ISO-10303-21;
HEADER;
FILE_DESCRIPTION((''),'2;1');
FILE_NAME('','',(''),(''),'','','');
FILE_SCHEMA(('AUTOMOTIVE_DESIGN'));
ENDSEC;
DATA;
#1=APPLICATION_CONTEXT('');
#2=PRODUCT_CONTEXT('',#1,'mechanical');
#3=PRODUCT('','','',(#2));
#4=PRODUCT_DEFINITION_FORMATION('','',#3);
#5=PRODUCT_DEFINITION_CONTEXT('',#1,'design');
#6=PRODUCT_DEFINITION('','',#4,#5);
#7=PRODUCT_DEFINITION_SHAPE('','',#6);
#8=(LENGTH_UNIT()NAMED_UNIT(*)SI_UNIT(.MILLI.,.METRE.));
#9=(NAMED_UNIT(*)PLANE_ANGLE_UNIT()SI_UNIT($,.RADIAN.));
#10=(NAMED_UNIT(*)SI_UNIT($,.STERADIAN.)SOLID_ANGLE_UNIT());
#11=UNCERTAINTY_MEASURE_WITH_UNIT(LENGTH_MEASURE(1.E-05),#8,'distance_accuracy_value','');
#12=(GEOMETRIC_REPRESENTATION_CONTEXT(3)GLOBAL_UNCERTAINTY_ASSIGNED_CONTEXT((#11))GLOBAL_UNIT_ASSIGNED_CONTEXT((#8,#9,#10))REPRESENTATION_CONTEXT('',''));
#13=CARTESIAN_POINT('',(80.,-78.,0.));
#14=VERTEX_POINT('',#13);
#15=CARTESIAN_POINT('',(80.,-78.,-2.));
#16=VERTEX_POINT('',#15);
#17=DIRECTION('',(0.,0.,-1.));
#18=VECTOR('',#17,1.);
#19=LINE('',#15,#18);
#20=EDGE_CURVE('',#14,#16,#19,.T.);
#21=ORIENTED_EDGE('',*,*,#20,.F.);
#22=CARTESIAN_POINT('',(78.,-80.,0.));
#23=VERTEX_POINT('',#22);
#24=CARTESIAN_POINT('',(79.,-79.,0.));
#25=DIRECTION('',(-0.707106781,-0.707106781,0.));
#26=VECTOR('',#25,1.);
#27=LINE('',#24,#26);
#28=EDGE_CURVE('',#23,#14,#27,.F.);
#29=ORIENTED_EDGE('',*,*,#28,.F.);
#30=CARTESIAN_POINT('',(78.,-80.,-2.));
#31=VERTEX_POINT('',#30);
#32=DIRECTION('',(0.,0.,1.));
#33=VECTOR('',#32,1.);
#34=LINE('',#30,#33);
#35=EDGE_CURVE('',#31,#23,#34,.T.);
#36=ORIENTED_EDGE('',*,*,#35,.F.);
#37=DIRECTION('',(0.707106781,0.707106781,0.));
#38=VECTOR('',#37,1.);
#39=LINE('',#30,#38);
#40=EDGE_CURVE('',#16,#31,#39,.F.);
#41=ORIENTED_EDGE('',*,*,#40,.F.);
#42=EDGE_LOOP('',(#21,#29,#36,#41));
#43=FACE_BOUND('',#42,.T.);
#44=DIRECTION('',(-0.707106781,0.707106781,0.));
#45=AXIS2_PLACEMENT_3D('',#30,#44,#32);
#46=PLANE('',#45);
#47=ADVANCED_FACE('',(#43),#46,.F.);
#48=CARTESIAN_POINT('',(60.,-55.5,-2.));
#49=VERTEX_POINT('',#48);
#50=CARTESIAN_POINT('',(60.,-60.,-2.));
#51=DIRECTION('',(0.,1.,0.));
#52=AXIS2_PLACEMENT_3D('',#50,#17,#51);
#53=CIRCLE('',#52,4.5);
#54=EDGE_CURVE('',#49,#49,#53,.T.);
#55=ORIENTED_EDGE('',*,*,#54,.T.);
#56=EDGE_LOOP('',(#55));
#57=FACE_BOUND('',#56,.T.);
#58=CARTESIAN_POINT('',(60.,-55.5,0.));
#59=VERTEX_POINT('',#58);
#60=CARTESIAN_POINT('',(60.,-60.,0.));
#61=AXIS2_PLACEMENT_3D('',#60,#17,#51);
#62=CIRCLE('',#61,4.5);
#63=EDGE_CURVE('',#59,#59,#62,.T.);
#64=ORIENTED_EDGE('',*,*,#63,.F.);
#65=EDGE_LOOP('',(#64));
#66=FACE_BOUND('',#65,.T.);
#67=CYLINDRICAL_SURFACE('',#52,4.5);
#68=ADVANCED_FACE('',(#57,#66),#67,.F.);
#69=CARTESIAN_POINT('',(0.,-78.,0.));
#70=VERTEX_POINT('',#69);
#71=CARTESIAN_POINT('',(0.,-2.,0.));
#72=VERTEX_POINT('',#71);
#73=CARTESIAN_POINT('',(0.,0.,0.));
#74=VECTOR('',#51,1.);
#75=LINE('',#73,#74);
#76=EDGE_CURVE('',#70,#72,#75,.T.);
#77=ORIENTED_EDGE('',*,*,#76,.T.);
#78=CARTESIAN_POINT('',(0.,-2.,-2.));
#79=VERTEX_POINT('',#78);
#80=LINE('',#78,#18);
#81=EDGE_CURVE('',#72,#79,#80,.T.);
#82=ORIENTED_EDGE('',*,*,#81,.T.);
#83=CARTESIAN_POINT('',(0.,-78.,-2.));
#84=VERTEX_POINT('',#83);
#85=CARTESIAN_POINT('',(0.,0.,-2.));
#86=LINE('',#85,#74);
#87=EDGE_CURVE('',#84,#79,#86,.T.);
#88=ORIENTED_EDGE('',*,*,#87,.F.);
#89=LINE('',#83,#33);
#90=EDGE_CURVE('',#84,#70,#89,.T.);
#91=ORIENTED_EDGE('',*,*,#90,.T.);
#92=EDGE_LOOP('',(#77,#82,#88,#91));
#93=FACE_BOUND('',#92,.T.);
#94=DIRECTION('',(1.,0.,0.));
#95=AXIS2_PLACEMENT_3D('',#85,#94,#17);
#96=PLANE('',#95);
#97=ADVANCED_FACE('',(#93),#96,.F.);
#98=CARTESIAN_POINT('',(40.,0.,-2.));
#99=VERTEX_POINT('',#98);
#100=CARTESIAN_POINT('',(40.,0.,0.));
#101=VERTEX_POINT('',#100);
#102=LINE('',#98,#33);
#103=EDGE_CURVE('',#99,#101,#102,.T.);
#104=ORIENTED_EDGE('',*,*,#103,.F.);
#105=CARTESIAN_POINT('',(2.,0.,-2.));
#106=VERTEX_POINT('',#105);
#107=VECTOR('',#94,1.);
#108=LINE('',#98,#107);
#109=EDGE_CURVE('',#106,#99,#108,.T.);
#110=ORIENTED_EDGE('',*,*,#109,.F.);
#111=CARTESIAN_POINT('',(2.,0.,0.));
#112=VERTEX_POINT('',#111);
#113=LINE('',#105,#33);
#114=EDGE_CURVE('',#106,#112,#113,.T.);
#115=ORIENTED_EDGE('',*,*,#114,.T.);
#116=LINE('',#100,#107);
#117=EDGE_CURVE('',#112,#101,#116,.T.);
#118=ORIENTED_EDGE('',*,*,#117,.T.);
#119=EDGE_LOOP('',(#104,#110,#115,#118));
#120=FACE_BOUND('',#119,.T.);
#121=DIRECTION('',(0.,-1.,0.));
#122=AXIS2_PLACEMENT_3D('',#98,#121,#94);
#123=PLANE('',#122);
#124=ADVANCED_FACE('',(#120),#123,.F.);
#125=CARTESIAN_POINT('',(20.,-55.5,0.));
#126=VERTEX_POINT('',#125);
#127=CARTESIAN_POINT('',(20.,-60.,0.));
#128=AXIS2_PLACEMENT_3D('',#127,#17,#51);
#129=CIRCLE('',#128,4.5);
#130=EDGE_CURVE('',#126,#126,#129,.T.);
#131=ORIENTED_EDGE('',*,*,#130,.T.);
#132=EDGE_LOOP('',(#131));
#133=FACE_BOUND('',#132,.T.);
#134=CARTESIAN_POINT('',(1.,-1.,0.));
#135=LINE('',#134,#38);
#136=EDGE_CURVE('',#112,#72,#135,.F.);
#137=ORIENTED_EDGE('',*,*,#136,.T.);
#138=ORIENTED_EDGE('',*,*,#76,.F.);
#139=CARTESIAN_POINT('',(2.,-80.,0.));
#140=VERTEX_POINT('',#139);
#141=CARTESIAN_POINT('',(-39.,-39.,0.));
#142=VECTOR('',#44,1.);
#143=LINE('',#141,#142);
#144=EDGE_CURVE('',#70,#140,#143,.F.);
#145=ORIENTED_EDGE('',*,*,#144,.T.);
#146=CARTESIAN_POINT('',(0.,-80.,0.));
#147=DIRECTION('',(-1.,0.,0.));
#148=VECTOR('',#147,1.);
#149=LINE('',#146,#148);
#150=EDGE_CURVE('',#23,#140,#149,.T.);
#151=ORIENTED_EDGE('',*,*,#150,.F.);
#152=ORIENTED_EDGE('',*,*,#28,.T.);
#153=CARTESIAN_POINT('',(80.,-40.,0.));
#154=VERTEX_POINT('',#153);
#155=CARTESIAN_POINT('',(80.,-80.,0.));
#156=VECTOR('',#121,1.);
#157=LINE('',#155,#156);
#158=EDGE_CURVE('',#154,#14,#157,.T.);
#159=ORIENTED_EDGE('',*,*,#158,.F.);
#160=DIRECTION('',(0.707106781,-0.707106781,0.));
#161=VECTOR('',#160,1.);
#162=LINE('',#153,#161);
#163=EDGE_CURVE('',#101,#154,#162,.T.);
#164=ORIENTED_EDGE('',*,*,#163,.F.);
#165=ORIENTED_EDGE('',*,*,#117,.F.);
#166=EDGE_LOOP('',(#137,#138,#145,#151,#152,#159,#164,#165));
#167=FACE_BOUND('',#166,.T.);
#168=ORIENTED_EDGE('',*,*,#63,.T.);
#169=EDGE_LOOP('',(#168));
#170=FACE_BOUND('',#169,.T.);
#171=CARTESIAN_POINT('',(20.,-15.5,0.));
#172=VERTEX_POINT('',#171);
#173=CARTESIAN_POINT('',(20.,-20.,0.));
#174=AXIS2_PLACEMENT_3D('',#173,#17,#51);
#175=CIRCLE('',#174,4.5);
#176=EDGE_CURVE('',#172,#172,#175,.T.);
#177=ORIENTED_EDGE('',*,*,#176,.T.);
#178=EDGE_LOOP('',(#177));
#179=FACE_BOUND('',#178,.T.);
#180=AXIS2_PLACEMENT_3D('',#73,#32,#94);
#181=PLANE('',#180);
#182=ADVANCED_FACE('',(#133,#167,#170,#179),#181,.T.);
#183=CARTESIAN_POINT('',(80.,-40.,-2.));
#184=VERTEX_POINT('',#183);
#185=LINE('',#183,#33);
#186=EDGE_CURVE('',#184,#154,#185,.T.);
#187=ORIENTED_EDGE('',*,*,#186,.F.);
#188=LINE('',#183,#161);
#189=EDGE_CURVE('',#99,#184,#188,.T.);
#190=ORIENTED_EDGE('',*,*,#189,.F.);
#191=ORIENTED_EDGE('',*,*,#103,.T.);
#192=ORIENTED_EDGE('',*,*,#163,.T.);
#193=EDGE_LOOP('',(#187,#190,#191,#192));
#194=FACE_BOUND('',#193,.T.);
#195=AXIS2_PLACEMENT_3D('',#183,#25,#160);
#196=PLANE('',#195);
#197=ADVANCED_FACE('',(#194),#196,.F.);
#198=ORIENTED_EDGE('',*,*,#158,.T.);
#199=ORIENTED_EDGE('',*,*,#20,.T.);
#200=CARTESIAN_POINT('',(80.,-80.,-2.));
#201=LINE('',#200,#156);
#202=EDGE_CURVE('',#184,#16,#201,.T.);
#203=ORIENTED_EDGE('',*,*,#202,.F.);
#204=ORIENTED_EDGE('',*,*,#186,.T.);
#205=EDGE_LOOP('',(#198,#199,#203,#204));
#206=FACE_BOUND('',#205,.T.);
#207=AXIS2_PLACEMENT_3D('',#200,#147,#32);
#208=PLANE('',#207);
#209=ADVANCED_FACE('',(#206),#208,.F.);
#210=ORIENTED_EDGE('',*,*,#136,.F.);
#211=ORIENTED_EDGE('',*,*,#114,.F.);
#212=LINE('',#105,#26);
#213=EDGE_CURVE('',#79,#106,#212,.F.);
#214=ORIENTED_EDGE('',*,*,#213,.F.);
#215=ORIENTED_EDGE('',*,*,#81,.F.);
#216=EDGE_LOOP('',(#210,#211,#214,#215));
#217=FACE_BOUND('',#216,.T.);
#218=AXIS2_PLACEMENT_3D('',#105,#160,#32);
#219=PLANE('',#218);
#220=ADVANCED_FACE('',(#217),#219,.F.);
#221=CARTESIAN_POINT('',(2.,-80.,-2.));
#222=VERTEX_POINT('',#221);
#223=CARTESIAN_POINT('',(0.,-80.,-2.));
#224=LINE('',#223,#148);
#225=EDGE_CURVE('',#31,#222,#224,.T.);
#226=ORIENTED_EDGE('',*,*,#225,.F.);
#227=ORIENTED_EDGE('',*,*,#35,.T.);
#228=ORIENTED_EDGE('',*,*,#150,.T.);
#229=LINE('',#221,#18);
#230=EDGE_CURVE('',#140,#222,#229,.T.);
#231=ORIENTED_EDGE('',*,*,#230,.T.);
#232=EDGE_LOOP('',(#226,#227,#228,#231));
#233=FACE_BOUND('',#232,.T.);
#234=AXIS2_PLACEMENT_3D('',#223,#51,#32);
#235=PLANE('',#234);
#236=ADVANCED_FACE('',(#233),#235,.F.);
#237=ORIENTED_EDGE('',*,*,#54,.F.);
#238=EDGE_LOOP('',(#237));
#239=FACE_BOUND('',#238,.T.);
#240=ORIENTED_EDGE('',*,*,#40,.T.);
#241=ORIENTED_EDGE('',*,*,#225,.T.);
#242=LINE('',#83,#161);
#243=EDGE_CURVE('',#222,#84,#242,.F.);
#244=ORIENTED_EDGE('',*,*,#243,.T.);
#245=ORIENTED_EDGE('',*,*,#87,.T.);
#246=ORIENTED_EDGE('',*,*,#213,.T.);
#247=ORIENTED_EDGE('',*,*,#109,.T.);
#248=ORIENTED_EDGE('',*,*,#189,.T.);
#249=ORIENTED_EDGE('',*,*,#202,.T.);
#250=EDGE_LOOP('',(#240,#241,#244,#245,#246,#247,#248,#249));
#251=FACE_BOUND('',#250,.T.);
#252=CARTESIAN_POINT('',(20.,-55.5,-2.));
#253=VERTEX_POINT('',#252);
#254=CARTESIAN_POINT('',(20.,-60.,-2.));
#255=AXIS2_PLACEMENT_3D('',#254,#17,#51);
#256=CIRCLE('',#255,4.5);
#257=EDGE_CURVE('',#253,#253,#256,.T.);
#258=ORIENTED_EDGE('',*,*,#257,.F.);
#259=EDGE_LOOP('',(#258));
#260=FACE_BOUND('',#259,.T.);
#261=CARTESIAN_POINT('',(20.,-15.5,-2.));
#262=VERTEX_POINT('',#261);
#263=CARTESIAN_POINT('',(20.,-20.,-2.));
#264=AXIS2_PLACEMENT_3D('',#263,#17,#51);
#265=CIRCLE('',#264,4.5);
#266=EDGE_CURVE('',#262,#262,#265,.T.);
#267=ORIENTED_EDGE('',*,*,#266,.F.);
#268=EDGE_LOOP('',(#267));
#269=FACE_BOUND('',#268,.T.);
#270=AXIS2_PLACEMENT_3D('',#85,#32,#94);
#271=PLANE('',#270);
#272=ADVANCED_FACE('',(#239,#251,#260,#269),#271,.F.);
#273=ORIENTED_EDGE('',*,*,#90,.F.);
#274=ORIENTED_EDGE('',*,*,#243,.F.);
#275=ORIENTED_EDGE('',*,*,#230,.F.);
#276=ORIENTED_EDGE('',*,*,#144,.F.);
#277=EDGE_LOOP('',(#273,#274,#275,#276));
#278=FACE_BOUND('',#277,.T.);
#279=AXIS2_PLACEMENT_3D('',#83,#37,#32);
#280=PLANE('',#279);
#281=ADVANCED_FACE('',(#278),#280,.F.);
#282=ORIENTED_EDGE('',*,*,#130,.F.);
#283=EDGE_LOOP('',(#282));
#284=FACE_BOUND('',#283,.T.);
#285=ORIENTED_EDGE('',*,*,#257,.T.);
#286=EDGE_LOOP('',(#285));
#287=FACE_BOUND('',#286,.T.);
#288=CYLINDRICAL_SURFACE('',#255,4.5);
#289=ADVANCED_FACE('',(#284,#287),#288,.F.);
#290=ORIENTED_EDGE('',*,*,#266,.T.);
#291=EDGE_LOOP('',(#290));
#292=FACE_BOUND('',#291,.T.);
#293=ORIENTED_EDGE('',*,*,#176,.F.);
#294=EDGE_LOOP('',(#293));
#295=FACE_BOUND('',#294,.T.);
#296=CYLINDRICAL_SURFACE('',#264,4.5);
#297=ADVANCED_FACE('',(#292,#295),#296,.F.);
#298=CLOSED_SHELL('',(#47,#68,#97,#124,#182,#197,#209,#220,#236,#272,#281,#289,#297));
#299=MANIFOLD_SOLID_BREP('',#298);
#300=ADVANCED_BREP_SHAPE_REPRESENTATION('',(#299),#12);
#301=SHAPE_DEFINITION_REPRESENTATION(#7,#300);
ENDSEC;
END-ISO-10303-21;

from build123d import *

# Parameters (mm, degrees)
EXTRUDE_1_DEPTH   = 2
HOLE_WIZARD_M81_D = 9
CHAMFER_1_SIZE    = 2


with BuildPart() as part:
    # Эскиз1 → Бобышка-Вытянуть1 (new body)
    with BuildSketch(Plane(origin=(0, 0, 0), x_dir=(1, 0, 0), z_dir=(0, 0, -1))):
        Polygon((0, 0), (0, 80), (80, 80), (80, 40), (40, 0), align=None)
    extrude(amount=EXTRUDE_1_DEPTH)

    # Отверстие с зазором M81 (through all)
    with Locations(Plane(origin=(0, 0, -2), x_dir=(1, 0, 0), z_dir=(0, 0, -1))):
        with Locations((20, 60), (20, 20), (60, 60)):
            Hole(HOLE_WIZARD_M81_D / 2)

    # Фаска1
    chamfer_1_edges = [part.edges().sort_by_distance(p)[0] for p in [
        (0, 0, -1),
        (0, -80, -1),
        (80, -80, -1),
    ]]
    chamfer(chamfer_1_edges, length=CHAMFER_1_SIZE)


solid = part.part
